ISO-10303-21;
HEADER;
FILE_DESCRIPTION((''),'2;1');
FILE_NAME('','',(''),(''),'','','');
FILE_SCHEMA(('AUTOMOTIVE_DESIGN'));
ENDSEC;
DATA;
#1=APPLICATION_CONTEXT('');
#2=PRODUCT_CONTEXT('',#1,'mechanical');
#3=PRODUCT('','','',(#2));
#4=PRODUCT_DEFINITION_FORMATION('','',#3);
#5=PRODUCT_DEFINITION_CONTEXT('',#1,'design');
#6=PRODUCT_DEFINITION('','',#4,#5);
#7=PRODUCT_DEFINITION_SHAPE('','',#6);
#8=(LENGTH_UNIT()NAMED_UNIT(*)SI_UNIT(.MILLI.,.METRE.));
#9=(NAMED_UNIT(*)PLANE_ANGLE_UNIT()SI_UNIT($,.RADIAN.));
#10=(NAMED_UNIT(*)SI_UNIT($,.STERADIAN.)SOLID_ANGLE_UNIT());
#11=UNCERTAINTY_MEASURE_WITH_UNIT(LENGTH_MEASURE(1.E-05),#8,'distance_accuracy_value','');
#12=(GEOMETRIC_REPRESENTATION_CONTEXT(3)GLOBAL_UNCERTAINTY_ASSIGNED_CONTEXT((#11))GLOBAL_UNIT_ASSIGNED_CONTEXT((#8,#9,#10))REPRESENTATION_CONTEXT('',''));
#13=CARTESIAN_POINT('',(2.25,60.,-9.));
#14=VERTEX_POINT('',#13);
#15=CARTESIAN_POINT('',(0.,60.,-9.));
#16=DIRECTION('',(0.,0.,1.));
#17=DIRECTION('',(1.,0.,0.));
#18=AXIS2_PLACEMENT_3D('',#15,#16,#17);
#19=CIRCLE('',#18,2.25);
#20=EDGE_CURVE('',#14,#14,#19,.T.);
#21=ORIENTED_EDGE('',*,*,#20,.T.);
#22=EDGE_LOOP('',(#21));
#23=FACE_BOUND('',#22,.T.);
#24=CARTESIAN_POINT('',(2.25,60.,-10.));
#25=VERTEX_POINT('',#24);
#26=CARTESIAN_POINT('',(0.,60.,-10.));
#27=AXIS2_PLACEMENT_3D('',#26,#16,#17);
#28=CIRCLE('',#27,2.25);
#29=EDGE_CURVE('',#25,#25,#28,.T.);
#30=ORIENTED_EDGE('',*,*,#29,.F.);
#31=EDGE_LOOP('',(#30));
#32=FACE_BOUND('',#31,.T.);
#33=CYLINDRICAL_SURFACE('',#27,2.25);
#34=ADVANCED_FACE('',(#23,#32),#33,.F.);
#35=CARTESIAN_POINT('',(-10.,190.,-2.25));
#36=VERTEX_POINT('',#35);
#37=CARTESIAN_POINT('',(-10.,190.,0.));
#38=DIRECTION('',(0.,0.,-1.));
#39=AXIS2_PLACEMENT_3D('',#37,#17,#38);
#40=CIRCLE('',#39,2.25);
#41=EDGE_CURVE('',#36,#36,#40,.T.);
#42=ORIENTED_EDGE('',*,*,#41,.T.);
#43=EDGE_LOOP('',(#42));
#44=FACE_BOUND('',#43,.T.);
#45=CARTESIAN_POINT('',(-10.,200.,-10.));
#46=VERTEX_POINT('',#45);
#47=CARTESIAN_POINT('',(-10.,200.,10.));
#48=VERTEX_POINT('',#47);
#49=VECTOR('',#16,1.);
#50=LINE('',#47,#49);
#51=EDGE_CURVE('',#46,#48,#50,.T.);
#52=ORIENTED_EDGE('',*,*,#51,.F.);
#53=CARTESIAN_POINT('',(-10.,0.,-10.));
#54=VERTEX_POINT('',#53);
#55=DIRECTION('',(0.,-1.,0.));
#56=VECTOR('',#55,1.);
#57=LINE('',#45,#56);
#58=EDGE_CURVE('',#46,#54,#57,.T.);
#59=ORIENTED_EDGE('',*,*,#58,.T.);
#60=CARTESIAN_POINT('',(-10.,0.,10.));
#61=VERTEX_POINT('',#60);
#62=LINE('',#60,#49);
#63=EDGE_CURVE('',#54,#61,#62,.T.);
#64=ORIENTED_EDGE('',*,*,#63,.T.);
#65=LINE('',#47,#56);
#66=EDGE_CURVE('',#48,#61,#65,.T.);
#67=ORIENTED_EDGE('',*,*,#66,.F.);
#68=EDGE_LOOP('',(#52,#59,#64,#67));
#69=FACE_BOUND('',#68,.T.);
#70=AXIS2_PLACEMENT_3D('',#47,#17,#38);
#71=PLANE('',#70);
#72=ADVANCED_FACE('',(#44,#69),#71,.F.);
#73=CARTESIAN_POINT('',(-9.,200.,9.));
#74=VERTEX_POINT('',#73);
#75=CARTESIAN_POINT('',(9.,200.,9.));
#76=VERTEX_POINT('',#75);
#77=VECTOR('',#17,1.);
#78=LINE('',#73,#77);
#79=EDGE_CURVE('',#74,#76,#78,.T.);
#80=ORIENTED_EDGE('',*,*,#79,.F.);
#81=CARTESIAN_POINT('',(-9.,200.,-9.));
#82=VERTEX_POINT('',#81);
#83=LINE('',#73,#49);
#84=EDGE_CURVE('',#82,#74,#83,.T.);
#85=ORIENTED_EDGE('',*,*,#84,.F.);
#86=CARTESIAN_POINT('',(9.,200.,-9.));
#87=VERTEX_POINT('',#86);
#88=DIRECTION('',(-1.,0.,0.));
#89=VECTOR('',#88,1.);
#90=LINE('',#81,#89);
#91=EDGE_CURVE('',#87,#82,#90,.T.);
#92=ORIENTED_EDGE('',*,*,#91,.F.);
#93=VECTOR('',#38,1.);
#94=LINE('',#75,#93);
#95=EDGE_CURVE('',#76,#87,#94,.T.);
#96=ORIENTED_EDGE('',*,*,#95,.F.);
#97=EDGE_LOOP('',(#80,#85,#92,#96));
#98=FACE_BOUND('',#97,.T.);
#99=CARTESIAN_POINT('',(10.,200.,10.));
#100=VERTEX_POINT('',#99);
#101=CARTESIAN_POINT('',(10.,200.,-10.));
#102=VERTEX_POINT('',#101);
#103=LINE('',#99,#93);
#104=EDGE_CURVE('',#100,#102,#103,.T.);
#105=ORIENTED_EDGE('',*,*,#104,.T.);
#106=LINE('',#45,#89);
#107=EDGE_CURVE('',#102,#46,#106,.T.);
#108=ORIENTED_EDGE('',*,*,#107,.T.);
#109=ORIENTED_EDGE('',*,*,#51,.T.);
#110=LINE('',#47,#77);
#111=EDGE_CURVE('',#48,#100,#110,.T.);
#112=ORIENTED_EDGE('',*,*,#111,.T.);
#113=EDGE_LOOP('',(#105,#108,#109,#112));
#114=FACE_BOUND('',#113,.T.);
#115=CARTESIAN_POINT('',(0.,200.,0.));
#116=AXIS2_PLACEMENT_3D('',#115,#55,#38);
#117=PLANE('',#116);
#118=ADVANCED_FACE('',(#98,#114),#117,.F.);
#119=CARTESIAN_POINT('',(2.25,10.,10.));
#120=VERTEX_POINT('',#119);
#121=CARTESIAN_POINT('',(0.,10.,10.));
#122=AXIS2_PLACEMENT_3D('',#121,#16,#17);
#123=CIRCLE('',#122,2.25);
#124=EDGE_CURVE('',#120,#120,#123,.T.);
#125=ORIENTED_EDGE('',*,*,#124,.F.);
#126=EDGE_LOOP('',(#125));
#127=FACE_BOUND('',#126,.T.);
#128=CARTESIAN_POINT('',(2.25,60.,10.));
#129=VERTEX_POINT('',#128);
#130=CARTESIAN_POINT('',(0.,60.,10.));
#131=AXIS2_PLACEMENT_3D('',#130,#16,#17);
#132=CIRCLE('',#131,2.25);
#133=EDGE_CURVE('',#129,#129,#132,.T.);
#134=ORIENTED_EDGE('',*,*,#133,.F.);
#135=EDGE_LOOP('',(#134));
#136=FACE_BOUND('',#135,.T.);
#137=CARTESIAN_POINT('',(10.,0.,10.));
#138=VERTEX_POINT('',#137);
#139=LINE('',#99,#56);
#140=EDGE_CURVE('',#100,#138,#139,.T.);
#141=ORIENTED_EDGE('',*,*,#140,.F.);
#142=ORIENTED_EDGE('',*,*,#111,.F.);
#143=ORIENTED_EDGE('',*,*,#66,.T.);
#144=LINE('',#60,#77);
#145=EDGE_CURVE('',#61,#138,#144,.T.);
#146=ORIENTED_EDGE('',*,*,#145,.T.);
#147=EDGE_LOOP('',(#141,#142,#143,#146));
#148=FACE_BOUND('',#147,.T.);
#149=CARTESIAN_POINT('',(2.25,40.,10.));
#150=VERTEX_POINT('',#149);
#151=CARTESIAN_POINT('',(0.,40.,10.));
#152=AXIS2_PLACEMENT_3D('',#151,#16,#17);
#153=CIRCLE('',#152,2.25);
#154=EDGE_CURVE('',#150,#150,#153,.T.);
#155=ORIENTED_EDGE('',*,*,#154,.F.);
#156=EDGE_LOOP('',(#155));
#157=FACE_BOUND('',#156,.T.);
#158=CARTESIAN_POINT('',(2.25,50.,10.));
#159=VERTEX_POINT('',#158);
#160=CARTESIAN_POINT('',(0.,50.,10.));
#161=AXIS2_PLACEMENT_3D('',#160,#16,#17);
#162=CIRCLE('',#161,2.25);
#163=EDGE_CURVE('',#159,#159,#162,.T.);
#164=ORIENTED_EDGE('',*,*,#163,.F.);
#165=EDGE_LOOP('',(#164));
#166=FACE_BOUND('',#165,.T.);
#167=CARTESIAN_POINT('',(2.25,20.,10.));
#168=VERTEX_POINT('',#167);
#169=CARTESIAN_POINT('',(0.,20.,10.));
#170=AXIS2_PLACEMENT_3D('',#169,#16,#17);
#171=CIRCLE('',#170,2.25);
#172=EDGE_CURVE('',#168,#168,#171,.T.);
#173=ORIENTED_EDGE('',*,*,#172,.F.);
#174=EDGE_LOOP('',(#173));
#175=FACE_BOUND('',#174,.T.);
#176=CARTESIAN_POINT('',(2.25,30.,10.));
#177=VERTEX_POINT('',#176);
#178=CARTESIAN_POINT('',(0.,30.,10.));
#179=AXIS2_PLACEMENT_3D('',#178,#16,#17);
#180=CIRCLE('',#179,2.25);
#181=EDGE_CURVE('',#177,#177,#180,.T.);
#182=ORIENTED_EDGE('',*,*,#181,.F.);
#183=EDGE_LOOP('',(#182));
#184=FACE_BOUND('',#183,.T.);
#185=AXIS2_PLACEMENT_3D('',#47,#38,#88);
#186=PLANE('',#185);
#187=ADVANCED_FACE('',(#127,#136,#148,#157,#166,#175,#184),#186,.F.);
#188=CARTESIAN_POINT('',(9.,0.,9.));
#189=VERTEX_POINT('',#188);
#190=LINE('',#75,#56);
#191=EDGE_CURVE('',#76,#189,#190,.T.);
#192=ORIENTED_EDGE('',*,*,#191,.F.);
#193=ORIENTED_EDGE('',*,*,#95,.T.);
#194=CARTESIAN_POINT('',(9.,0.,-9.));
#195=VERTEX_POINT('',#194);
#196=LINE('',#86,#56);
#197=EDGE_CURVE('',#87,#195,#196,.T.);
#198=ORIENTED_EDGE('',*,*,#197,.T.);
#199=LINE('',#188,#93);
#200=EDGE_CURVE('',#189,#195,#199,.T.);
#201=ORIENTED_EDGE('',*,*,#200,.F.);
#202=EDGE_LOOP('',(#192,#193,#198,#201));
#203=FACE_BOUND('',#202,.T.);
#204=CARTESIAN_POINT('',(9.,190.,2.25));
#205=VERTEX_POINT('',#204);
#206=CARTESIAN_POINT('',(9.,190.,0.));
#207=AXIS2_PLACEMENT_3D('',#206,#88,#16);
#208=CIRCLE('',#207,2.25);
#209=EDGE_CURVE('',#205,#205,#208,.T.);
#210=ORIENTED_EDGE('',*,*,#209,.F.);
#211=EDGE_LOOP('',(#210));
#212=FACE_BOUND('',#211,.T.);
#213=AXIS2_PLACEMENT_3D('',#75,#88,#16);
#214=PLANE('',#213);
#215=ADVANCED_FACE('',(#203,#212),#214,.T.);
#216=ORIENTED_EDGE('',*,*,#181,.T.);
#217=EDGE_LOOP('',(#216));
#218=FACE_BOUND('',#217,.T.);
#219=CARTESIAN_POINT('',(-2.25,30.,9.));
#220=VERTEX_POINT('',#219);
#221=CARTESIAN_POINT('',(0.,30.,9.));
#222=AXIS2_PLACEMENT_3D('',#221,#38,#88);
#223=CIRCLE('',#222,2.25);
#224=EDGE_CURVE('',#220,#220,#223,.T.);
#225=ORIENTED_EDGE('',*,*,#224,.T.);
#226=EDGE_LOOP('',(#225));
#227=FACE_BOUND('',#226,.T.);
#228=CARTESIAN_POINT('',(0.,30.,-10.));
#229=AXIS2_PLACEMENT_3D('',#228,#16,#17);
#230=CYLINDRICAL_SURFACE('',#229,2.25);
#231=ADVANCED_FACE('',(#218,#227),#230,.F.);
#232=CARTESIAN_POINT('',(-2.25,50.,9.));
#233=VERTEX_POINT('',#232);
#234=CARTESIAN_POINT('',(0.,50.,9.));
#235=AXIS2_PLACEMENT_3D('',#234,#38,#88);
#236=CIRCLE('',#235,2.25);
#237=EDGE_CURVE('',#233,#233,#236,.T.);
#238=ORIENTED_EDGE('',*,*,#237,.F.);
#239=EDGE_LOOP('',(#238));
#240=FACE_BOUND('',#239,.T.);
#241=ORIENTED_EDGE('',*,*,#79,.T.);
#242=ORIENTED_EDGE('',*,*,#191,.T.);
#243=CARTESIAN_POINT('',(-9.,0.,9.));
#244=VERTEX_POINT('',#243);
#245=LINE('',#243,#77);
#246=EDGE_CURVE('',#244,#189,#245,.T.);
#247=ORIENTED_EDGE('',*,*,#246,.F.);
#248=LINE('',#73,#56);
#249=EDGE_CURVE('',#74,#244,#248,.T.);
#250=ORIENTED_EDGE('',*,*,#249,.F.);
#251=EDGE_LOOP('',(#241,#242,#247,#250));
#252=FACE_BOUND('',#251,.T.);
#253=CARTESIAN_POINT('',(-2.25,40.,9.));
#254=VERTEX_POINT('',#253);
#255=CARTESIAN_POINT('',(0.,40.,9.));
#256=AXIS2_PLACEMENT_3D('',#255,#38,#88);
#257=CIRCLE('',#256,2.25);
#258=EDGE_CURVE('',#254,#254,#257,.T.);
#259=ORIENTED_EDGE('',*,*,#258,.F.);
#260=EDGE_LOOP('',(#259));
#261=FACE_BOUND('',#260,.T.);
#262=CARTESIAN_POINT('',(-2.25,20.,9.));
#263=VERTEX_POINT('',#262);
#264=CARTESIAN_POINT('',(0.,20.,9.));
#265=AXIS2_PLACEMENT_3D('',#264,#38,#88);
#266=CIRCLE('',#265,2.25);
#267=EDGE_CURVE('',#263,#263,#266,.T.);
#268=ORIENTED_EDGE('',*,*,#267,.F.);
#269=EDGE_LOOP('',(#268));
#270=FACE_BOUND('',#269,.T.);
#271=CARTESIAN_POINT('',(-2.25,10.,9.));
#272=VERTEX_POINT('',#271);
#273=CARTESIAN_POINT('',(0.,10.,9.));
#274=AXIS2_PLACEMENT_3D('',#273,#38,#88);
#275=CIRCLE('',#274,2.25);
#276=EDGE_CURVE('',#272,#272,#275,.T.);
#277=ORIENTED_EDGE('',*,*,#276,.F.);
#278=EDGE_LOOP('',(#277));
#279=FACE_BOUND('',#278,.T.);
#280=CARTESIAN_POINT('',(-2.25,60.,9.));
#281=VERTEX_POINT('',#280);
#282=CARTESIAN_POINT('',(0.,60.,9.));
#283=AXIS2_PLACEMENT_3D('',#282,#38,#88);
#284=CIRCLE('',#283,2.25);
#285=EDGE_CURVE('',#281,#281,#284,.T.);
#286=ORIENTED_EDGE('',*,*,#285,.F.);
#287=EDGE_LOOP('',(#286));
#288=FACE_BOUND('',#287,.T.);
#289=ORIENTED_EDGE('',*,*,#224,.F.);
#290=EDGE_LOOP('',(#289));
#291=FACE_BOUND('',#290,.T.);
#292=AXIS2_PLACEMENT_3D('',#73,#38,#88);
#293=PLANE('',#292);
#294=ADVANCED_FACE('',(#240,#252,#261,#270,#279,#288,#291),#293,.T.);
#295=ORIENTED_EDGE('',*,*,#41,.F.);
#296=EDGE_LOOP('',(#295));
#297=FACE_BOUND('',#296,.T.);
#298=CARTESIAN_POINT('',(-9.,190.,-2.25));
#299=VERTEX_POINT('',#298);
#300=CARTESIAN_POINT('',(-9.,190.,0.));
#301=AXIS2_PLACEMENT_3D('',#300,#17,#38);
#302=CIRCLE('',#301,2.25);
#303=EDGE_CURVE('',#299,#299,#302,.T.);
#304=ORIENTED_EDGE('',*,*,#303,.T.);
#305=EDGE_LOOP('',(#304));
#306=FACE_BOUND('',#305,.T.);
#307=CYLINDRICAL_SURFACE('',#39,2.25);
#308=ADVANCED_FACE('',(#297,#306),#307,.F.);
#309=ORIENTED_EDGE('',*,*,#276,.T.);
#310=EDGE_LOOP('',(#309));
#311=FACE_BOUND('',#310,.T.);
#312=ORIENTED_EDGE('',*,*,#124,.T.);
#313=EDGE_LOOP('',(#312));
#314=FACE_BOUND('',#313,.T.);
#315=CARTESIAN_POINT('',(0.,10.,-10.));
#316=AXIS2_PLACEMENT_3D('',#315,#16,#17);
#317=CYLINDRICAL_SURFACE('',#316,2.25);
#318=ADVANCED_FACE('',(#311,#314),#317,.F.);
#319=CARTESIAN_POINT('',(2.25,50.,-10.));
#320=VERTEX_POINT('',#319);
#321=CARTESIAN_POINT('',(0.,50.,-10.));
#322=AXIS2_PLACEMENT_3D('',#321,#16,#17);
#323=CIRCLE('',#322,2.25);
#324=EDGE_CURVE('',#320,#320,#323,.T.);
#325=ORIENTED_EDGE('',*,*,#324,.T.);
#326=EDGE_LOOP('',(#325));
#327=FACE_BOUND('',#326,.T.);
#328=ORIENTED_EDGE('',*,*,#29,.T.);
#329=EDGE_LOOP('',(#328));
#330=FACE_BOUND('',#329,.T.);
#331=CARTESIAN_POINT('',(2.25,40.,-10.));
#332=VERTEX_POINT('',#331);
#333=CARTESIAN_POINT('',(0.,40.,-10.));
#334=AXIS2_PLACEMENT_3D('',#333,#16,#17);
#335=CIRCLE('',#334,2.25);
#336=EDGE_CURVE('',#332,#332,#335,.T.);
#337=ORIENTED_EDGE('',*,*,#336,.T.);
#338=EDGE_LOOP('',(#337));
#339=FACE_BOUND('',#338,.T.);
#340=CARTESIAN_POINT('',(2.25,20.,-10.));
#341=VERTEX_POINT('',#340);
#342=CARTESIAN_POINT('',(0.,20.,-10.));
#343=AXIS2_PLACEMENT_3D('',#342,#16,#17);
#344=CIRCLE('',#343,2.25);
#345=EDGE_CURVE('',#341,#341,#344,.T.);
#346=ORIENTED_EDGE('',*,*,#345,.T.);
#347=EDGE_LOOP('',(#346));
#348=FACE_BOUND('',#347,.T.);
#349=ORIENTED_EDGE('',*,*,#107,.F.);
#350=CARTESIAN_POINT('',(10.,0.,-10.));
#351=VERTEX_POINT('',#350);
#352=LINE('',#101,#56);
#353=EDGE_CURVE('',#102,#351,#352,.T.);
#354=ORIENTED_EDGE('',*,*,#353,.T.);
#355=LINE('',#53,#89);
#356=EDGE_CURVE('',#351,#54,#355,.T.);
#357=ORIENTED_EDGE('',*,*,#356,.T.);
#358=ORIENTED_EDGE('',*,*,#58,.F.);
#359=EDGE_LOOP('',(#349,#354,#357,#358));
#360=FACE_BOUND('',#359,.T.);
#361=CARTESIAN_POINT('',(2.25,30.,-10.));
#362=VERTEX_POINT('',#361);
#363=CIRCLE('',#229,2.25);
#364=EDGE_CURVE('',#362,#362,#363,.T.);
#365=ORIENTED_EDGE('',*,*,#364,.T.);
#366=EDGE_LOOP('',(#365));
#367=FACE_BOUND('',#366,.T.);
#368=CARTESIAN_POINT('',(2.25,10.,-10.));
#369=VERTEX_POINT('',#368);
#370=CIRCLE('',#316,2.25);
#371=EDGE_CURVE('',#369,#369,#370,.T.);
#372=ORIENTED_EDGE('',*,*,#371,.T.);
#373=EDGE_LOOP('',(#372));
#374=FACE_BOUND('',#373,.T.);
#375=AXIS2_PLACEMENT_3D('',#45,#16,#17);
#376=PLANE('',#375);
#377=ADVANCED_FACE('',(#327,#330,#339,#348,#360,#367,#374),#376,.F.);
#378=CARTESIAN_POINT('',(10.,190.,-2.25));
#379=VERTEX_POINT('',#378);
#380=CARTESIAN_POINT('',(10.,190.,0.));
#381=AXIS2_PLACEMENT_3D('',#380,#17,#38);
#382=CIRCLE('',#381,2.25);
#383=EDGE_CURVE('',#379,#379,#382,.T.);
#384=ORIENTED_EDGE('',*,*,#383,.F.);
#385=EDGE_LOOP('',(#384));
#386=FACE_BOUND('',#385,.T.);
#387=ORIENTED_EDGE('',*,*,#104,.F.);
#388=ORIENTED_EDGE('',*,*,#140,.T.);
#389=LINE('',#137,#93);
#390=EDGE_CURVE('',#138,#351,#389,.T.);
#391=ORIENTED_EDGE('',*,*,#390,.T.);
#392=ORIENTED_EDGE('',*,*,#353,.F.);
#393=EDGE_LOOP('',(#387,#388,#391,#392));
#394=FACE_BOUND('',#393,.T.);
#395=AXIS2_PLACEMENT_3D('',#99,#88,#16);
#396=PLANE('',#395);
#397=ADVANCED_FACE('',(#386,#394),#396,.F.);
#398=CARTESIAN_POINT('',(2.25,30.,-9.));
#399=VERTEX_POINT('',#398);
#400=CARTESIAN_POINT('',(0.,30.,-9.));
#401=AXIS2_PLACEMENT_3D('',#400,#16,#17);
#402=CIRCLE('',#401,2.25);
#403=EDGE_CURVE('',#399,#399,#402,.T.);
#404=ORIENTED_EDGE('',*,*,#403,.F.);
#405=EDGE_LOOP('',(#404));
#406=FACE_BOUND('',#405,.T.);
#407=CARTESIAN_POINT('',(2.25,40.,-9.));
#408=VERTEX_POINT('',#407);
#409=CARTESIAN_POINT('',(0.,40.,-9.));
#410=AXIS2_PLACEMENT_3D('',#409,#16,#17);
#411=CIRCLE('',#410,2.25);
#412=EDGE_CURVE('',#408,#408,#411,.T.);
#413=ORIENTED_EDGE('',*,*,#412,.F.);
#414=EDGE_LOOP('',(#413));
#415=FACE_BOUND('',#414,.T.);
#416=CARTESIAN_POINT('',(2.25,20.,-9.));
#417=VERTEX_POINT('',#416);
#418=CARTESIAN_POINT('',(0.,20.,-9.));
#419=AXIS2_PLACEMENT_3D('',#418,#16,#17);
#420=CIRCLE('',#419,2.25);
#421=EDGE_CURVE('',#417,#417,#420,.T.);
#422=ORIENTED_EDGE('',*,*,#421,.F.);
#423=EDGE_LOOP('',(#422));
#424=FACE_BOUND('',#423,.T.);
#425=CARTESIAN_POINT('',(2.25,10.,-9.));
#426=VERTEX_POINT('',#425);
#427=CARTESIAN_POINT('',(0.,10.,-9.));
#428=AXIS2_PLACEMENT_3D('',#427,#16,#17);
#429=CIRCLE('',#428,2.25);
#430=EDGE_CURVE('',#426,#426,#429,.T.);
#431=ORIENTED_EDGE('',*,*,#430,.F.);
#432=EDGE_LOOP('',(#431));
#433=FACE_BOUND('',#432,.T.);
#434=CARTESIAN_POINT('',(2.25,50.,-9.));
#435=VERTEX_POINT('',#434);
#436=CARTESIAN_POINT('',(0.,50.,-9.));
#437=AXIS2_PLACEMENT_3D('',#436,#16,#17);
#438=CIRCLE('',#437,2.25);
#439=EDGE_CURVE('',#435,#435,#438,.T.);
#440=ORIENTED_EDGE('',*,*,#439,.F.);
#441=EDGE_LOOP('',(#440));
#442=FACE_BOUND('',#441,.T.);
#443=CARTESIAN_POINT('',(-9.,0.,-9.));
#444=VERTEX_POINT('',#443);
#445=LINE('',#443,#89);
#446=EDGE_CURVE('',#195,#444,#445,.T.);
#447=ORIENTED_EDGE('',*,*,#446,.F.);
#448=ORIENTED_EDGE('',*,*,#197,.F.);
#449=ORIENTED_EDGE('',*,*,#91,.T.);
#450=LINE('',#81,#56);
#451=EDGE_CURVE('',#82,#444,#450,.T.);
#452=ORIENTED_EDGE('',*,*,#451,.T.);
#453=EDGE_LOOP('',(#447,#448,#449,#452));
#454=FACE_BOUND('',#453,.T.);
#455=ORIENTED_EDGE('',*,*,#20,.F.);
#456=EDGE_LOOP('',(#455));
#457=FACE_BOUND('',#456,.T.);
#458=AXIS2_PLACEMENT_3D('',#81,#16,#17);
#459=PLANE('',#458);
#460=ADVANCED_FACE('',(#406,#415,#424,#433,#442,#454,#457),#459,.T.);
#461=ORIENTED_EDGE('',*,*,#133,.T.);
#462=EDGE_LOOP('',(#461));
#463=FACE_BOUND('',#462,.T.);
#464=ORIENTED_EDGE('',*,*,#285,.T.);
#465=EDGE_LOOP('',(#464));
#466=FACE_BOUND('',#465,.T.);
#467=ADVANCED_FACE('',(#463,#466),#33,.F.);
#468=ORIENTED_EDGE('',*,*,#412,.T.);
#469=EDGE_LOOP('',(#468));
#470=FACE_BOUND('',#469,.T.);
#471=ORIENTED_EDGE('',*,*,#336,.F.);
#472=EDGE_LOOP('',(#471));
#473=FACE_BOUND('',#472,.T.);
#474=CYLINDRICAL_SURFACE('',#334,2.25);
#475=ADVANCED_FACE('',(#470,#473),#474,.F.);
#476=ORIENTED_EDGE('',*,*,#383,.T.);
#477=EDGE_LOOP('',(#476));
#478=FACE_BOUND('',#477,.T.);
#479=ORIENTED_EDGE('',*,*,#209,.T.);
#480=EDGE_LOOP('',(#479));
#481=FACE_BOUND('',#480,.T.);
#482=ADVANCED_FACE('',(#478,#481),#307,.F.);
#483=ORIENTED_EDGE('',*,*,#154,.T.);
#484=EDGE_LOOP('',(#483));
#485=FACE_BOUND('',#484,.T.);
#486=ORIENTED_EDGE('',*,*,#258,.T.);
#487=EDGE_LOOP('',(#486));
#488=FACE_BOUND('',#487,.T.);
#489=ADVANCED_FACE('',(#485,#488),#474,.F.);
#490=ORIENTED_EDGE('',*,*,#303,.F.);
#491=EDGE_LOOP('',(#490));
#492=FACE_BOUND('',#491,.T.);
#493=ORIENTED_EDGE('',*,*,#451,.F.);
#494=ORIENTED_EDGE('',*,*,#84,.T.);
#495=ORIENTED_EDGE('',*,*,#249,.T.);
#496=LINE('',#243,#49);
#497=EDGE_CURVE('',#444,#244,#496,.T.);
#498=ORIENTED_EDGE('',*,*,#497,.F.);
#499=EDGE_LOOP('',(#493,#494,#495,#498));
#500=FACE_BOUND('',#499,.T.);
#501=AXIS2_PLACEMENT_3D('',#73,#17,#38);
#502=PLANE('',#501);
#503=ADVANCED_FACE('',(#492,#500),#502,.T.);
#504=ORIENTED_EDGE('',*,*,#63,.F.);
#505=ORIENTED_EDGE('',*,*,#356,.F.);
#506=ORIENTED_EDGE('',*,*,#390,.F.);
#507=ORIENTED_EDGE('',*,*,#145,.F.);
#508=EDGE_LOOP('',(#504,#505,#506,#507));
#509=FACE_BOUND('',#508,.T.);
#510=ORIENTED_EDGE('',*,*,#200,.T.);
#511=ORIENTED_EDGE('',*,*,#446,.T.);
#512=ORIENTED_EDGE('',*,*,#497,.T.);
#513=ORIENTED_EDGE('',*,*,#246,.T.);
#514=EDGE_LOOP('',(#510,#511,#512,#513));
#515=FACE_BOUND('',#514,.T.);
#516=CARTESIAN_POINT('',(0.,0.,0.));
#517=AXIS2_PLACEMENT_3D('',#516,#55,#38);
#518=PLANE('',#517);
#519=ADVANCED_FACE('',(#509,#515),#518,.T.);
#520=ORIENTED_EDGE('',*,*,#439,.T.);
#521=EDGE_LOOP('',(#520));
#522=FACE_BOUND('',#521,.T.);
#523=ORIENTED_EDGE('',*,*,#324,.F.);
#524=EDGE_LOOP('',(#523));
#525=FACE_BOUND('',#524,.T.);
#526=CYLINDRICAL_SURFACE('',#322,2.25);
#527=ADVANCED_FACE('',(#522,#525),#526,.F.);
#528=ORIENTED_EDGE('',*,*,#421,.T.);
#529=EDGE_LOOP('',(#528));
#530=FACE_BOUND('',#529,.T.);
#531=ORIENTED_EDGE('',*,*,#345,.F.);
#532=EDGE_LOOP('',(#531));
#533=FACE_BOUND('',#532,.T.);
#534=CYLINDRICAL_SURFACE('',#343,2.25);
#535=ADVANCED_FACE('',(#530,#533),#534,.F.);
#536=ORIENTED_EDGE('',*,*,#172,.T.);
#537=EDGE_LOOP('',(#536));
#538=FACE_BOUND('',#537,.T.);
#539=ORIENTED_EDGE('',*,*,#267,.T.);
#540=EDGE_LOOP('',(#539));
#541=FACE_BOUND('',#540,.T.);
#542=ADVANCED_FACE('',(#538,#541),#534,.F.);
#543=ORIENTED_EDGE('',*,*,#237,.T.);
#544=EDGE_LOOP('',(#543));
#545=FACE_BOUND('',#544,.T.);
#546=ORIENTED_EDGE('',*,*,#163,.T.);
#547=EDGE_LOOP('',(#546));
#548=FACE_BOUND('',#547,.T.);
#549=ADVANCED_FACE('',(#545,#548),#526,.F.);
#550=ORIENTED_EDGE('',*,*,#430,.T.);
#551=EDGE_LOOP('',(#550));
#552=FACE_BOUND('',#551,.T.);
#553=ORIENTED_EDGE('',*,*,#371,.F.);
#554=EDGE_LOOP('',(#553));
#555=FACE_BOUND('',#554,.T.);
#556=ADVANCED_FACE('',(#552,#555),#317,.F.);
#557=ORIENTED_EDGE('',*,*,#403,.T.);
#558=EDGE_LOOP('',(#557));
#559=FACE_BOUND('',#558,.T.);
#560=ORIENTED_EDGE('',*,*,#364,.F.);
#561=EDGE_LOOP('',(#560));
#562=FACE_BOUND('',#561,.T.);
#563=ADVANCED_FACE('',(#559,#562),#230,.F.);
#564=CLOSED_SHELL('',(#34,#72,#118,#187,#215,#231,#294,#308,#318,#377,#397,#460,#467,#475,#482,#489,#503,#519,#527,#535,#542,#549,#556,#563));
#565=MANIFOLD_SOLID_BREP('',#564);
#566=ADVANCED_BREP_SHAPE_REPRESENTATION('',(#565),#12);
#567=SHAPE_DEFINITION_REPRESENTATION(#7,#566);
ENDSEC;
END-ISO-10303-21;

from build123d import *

# Parameters (mm, degrees)
SKETCH1_W           = 20
SKETCH1_H           = 20
SKETCH1_W_2         = 18
SKETCH1_H_2         = 18
BOSS_EXTRUDE1_DEPTH = 200
SKETCH2_R           = 2.25
CUT_EXTRUDE1_DEPTH  = 202.246117975
SKETCH3_R           = 2.25
CUT_EXTRUDE2_DEPTH  = 202.246117975


with BuildPart() as part:
    # Sketch1 → Boss-Extrude1 (new body)
    with BuildSketch(Plane(origin=(0, 0, 0), x_dir=(1, 0, 0), z_dir=(0, 1, 0))):
        Rectangle(SKETCH1_W, SKETCH1_H)
        Rectangle(SKETCH1_W_2, SKETCH1_H_2, mode=Mode.SUBTRACT)
    extrude(amount=BOSS_EXTRUDE1_DEPTH)

    # Sketch2 → Cut-Extrude1 (cut, through all)
    with BuildSketch(Plane.XY.offset(10)):
        with Locations((0, 10)):
            Circle(SKETCH2_R)
        with Locations((0, 20)):
            Circle(SKETCH2_R)
        with Locations((0, 30)):
            Circle(SKETCH2_R)
        with Locations((0, 40)):
            Circle(SKETCH2_R)
        with Locations((0, 50)):
            Circle(SKETCH2_R)
        with Locations((0, 60)):
            Circle(SKETCH2_R)
    extrude(amount=-CUT_EXTRUDE1_DEPTH, mode=Mode.SUBTRACT)

    # Sketch3 → Cut-Extrude2 (cut, through all)
    with BuildSketch(Plane(origin=(10, 0, 0), x_dir=(0, 0, -1), z_dir=(1, 0, 0))):
        with Locations((0, 190)):
            Circle(SKETCH3_R)
    extrude(amount=-CUT_EXTRUDE2_DEPTH, mode=Mode.SUBTRACT)


solid = part.part
